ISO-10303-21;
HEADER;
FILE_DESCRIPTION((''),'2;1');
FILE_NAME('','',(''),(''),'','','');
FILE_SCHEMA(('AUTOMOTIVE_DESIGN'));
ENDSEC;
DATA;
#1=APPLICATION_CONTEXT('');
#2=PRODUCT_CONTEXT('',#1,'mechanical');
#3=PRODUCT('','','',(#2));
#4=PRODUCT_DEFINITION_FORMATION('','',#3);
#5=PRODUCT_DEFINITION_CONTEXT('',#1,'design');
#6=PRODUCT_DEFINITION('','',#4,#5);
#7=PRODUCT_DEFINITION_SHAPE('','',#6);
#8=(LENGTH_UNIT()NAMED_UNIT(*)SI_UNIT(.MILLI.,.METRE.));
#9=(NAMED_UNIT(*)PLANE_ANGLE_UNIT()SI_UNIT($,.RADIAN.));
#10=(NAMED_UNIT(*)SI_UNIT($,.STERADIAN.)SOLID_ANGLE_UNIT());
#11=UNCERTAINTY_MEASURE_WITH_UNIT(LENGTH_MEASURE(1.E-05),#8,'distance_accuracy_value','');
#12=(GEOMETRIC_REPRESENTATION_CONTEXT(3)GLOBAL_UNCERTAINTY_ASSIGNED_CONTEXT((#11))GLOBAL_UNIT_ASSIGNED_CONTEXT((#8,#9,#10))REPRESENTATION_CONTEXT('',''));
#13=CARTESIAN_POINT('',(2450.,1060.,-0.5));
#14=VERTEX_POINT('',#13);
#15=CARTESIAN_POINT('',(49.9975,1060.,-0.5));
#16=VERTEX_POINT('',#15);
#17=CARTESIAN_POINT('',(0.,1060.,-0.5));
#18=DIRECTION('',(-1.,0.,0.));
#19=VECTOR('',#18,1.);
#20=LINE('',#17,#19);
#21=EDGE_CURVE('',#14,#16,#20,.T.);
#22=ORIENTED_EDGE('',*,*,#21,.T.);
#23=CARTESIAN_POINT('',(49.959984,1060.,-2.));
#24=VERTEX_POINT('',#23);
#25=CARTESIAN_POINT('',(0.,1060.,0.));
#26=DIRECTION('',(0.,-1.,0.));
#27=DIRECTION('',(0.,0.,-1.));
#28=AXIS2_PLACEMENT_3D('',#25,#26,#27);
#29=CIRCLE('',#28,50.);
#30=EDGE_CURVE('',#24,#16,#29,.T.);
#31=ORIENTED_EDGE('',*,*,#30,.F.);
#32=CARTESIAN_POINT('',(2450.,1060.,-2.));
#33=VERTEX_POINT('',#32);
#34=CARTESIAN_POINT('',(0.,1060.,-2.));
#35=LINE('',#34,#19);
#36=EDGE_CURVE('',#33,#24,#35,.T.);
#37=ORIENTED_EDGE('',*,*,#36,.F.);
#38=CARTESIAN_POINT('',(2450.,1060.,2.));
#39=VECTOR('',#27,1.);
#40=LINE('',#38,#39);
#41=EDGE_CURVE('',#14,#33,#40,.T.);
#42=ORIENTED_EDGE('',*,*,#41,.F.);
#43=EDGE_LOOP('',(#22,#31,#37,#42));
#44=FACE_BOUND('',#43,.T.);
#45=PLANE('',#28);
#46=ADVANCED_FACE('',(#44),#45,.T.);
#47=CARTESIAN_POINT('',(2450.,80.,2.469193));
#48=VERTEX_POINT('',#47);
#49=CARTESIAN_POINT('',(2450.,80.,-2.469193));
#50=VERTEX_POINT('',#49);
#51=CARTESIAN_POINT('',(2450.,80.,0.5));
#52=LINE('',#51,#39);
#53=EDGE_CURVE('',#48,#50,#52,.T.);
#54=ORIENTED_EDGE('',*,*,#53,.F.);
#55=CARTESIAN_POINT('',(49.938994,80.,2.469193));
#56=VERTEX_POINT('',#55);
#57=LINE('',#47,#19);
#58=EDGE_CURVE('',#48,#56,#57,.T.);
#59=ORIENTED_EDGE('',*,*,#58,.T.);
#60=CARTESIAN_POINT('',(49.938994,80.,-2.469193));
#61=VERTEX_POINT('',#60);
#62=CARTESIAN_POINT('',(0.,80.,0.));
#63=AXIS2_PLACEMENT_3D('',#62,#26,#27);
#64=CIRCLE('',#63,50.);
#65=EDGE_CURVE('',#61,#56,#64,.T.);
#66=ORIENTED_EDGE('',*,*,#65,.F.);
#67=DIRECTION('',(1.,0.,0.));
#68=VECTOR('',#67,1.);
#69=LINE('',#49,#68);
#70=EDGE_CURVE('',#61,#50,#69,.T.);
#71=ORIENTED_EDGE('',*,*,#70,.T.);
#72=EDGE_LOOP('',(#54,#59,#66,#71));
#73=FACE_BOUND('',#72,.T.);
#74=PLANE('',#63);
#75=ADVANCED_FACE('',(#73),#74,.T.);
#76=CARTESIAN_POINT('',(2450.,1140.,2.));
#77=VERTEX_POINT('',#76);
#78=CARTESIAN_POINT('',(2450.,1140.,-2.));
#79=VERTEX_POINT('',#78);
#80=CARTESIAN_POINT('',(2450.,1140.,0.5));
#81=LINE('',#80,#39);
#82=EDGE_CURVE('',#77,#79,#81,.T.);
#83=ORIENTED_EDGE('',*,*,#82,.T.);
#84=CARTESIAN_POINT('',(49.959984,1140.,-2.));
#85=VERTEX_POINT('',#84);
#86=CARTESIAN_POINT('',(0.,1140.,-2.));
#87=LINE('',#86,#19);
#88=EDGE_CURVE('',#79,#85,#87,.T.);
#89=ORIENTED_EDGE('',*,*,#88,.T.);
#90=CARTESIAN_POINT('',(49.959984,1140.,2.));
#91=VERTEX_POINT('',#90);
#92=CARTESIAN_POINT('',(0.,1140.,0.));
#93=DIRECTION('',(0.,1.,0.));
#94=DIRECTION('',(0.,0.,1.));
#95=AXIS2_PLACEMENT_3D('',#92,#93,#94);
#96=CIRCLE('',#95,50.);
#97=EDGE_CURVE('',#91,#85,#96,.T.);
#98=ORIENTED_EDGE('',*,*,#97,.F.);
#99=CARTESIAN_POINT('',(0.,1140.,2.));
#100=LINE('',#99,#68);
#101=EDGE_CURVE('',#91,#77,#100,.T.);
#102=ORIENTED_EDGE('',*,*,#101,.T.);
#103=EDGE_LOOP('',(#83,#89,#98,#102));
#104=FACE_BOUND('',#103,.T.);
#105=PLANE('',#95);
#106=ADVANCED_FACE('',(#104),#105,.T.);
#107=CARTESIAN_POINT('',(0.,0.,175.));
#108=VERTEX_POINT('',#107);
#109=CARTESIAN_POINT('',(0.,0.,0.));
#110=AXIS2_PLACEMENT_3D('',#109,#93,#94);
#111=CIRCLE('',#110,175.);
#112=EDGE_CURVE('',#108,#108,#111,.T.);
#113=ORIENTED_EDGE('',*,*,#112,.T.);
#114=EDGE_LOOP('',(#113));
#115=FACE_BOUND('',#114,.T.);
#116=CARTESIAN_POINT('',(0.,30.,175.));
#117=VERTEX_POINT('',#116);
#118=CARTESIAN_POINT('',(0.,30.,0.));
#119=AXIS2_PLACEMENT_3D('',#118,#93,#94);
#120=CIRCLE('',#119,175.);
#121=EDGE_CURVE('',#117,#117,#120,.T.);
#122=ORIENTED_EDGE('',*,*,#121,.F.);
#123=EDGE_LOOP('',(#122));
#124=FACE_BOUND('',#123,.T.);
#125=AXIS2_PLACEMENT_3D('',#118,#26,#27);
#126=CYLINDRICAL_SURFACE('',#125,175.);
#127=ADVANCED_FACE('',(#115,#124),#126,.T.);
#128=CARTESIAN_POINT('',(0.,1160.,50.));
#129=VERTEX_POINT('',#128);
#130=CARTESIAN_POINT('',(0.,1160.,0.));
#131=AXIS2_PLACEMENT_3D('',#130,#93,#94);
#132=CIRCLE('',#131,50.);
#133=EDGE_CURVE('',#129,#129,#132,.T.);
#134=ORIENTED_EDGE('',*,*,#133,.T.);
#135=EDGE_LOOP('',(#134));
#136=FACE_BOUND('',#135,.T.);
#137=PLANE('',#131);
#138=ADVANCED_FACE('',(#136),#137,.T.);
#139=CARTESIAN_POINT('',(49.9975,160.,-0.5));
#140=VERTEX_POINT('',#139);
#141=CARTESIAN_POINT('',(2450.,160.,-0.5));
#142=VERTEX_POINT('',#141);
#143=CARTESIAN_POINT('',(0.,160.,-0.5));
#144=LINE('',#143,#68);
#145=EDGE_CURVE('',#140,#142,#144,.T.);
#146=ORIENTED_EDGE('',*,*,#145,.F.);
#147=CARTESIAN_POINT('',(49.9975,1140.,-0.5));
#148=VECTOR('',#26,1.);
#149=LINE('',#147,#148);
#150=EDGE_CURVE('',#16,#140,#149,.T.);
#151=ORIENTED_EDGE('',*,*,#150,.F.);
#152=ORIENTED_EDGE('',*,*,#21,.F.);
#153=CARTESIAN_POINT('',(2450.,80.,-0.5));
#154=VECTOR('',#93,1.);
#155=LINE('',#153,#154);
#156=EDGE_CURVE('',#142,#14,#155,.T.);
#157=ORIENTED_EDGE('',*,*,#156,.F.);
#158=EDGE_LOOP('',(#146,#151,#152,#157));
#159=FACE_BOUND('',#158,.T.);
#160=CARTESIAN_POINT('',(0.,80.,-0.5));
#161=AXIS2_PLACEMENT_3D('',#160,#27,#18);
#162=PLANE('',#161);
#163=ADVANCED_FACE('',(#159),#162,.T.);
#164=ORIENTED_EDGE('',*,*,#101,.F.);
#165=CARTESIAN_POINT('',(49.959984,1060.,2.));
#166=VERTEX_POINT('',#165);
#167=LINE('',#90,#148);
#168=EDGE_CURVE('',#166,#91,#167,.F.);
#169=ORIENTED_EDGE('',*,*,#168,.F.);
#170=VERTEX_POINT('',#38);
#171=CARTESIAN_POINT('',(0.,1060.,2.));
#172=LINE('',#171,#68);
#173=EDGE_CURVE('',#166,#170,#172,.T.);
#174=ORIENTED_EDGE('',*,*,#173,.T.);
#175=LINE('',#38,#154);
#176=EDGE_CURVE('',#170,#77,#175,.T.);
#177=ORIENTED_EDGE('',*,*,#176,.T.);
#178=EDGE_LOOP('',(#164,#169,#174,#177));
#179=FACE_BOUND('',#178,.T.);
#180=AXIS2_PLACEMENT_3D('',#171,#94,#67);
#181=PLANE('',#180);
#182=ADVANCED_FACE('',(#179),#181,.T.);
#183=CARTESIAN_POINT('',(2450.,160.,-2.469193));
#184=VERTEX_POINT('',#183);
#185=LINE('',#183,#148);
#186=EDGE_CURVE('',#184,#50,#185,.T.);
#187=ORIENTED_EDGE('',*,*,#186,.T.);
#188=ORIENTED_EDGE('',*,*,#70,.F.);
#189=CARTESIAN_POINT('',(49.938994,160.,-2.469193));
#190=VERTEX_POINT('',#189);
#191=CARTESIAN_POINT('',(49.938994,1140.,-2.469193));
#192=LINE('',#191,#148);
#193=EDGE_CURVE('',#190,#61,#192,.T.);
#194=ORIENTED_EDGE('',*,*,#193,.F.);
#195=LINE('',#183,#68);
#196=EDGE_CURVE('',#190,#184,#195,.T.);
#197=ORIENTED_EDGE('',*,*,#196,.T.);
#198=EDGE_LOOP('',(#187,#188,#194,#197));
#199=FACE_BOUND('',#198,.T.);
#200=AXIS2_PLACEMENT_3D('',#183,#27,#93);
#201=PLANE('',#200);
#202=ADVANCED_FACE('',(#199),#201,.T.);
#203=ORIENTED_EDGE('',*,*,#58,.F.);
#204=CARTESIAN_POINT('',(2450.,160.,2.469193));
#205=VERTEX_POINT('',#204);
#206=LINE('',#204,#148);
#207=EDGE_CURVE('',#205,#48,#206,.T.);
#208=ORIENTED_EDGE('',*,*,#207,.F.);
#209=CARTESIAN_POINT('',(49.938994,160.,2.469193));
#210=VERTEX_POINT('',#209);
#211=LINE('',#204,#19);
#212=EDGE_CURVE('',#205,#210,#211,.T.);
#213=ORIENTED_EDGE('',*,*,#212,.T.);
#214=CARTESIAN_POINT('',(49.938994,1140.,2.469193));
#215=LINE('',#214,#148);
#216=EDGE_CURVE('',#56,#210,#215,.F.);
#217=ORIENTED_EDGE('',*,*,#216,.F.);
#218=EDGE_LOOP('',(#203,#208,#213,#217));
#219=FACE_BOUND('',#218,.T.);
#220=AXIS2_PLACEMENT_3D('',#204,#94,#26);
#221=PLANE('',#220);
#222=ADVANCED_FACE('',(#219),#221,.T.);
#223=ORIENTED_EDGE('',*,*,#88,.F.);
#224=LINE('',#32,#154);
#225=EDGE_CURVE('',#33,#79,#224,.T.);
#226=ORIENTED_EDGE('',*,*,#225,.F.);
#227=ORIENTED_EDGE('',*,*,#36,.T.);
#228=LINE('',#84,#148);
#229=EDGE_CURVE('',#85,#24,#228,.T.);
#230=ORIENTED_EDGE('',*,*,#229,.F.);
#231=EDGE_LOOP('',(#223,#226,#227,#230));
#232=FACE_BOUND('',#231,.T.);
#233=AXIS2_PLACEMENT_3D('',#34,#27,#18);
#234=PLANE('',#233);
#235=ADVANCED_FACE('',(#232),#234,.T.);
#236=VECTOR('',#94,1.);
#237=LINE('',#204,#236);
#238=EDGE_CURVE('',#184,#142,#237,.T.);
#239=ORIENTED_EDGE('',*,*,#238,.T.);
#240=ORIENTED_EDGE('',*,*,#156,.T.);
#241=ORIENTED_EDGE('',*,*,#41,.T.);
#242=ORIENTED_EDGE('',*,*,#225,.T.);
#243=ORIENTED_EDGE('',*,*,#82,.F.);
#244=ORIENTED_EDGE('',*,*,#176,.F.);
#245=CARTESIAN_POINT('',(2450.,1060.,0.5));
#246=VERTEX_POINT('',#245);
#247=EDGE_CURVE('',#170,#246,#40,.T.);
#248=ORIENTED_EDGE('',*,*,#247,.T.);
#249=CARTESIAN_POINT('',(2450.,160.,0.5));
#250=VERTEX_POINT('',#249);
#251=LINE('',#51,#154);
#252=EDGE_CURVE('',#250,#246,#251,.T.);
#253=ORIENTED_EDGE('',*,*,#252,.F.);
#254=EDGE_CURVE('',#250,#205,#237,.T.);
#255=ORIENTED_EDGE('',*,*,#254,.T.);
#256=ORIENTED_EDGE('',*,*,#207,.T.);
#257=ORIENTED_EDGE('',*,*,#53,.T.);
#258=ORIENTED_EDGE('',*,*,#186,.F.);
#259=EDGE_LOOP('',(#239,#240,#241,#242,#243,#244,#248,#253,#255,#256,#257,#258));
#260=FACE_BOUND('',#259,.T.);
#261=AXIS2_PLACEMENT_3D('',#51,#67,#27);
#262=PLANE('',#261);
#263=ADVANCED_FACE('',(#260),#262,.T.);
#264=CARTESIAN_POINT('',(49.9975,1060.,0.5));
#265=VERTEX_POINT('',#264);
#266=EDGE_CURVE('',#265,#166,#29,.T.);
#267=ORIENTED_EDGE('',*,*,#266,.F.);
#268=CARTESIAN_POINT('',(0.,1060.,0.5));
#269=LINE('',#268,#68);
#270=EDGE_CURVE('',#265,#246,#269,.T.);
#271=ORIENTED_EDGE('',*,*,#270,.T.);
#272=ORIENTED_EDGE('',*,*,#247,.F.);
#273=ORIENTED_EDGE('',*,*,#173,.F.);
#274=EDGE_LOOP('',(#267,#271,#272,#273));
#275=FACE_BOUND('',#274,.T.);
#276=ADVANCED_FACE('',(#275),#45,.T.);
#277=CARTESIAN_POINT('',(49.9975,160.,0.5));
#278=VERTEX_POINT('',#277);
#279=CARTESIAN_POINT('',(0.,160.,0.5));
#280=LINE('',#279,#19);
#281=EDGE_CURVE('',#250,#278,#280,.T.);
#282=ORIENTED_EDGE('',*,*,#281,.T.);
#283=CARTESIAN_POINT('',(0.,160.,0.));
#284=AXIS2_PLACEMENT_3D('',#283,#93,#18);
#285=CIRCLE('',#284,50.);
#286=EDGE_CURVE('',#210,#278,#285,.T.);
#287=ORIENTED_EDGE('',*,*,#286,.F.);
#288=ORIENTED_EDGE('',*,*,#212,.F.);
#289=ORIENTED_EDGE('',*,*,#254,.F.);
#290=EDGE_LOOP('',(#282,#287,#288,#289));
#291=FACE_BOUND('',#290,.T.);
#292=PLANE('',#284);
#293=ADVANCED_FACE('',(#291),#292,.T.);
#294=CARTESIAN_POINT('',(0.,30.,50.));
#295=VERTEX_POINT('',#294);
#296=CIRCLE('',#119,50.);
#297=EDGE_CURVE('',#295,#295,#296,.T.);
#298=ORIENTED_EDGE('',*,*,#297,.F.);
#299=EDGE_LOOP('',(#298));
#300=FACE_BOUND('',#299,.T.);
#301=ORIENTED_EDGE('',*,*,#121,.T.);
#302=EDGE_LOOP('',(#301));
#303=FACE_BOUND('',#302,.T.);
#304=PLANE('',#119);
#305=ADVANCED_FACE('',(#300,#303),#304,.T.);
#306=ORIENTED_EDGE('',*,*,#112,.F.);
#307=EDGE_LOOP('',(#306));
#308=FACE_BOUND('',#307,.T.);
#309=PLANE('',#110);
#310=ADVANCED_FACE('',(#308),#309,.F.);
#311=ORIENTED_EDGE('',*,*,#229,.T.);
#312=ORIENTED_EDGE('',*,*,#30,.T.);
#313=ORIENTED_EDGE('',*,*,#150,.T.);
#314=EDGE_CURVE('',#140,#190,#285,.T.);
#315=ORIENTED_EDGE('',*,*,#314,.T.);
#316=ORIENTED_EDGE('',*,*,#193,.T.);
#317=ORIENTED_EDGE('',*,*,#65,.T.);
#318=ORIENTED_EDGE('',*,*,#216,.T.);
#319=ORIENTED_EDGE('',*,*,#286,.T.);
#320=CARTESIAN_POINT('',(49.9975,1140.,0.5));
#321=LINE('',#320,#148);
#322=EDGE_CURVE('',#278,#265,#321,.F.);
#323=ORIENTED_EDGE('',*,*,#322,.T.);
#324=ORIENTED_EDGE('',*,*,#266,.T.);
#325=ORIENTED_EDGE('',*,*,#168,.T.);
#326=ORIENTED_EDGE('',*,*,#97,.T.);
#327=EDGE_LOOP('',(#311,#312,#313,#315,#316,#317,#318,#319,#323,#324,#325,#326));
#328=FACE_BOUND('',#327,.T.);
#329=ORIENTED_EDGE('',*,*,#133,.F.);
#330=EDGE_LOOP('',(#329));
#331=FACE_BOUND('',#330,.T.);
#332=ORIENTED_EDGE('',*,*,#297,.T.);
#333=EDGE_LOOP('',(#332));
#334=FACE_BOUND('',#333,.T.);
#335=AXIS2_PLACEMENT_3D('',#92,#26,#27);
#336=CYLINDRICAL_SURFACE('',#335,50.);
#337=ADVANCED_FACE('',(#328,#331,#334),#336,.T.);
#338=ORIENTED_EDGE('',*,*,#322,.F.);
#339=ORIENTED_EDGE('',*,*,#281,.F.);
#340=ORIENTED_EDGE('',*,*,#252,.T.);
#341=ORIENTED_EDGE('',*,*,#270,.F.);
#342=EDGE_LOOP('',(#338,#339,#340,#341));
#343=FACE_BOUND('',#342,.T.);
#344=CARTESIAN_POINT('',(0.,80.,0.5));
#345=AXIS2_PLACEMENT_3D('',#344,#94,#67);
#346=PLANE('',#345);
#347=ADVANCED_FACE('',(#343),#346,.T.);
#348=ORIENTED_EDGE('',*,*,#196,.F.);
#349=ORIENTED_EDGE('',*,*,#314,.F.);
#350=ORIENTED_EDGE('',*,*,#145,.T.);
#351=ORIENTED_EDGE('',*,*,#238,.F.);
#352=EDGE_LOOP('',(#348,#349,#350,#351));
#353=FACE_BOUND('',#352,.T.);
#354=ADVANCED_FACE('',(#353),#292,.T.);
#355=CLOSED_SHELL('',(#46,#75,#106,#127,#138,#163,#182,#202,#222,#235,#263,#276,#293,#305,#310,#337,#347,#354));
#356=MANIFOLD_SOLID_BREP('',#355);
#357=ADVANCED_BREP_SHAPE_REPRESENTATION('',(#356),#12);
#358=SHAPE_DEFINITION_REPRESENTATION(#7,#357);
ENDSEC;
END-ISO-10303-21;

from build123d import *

# Parameters (mm, degrees)
SKETCH2_R           = 175
BOSS_EXTRUDE1_DEPTH = 30
SKETCH3_R           = 50
BOSS_EXTRUDE2_DEPTH = 1110
SKETCH7_W           = 2450
SKETCH7_H           = 1
BOSS_EXTRUDE3_DEPTH = 1060
SKETCH8_W           = 2450
SKETCH8_H           = 4
BOSS_EXTRUDE4_DEPTH = 80
SKETCH11_W          = 2450
SKETCH11_H          = 4.938385514
BOSS_EXTRUDE5_DEPTH = 80
SKETCH12_R          = 50
BOSS_EXTRUDE6_DEPTH = 20


with BuildPart() as part:
    # Sketch2 → Boss-Extrude1 (new body)
    with BuildSketch(Plane(origin=(0, 0, 0), x_dir=(1, 0, 0), z_dir=(0, 1, 0))):
        with Locations(Location((0, 0, 0), (0, 0, 270))):
            Circle(SKETCH2_R)
    extrude(amount=BOSS_EXTRUDE1_DEPTH)

    # Sketch3 → Boss-Extrude2 (add)
    with BuildSketch(Plane(origin=(0, 30, 0), x_dir=(1, 0, 0), z_dir=(0, 1, 0))):
        with Locations(Location((0, 0, 0), (0, 0, 270))):
            Circle(SKETCH3_R)
    extrude(amount=BOSS_EXTRUDE2_DEPTH)

    # Sketch7 → Boss-Extrude3 (add)
    with BuildSketch(Plane(origin=(0, 1140, 0), x_dir=(1, 0, 0), z_dir=(0, 1, 0))):
        with Locations((1225, 0)):
            Rectangle(SKETCH7_W, SKETCH7_H)
    extrude(amount=-BOSS_EXTRUDE3_DEPTH)

    # Sketch8 → Boss-Extrude4 (add)
    with BuildSketch(Plane(origin=(0, 1140, 0), x_dir=(1, 0, 0), z_dir=(0, 1, 0))):
        with Locations((1225, 0)):
            Rectangle(SKETCH8_W, SKETCH8_H)
    extrude(amount=-BOSS_EXTRUDE4_DEPTH)

    # Sketch11 → Boss-Extrude5 (add)
    with BuildSketch(Plane(origin=(0, 80, 0), x_dir=(-1, 0, 0), z_dir=(0, -1, 0))):
        with Locations((-1225, 0)):
            Rectangle(SKETCH11_W, SKETCH11_H)
    extrude(amount=-BOSS_EXTRUDE5_DEPTH)

    # Sketch12 → Boss-Extrude6 (add)
    with BuildSketch(Plane(origin=(0, 1140, 0), x_dir=(1, 0, 0), z_dir=(0, 1, 0))):
        with Locations(Location((0, 0, 0), (0, 0, 270))):
            Circle(SKETCH12_R)
    extrude(amount=BOSS_EXTRUDE6_DEPTH)


solid = part.part
